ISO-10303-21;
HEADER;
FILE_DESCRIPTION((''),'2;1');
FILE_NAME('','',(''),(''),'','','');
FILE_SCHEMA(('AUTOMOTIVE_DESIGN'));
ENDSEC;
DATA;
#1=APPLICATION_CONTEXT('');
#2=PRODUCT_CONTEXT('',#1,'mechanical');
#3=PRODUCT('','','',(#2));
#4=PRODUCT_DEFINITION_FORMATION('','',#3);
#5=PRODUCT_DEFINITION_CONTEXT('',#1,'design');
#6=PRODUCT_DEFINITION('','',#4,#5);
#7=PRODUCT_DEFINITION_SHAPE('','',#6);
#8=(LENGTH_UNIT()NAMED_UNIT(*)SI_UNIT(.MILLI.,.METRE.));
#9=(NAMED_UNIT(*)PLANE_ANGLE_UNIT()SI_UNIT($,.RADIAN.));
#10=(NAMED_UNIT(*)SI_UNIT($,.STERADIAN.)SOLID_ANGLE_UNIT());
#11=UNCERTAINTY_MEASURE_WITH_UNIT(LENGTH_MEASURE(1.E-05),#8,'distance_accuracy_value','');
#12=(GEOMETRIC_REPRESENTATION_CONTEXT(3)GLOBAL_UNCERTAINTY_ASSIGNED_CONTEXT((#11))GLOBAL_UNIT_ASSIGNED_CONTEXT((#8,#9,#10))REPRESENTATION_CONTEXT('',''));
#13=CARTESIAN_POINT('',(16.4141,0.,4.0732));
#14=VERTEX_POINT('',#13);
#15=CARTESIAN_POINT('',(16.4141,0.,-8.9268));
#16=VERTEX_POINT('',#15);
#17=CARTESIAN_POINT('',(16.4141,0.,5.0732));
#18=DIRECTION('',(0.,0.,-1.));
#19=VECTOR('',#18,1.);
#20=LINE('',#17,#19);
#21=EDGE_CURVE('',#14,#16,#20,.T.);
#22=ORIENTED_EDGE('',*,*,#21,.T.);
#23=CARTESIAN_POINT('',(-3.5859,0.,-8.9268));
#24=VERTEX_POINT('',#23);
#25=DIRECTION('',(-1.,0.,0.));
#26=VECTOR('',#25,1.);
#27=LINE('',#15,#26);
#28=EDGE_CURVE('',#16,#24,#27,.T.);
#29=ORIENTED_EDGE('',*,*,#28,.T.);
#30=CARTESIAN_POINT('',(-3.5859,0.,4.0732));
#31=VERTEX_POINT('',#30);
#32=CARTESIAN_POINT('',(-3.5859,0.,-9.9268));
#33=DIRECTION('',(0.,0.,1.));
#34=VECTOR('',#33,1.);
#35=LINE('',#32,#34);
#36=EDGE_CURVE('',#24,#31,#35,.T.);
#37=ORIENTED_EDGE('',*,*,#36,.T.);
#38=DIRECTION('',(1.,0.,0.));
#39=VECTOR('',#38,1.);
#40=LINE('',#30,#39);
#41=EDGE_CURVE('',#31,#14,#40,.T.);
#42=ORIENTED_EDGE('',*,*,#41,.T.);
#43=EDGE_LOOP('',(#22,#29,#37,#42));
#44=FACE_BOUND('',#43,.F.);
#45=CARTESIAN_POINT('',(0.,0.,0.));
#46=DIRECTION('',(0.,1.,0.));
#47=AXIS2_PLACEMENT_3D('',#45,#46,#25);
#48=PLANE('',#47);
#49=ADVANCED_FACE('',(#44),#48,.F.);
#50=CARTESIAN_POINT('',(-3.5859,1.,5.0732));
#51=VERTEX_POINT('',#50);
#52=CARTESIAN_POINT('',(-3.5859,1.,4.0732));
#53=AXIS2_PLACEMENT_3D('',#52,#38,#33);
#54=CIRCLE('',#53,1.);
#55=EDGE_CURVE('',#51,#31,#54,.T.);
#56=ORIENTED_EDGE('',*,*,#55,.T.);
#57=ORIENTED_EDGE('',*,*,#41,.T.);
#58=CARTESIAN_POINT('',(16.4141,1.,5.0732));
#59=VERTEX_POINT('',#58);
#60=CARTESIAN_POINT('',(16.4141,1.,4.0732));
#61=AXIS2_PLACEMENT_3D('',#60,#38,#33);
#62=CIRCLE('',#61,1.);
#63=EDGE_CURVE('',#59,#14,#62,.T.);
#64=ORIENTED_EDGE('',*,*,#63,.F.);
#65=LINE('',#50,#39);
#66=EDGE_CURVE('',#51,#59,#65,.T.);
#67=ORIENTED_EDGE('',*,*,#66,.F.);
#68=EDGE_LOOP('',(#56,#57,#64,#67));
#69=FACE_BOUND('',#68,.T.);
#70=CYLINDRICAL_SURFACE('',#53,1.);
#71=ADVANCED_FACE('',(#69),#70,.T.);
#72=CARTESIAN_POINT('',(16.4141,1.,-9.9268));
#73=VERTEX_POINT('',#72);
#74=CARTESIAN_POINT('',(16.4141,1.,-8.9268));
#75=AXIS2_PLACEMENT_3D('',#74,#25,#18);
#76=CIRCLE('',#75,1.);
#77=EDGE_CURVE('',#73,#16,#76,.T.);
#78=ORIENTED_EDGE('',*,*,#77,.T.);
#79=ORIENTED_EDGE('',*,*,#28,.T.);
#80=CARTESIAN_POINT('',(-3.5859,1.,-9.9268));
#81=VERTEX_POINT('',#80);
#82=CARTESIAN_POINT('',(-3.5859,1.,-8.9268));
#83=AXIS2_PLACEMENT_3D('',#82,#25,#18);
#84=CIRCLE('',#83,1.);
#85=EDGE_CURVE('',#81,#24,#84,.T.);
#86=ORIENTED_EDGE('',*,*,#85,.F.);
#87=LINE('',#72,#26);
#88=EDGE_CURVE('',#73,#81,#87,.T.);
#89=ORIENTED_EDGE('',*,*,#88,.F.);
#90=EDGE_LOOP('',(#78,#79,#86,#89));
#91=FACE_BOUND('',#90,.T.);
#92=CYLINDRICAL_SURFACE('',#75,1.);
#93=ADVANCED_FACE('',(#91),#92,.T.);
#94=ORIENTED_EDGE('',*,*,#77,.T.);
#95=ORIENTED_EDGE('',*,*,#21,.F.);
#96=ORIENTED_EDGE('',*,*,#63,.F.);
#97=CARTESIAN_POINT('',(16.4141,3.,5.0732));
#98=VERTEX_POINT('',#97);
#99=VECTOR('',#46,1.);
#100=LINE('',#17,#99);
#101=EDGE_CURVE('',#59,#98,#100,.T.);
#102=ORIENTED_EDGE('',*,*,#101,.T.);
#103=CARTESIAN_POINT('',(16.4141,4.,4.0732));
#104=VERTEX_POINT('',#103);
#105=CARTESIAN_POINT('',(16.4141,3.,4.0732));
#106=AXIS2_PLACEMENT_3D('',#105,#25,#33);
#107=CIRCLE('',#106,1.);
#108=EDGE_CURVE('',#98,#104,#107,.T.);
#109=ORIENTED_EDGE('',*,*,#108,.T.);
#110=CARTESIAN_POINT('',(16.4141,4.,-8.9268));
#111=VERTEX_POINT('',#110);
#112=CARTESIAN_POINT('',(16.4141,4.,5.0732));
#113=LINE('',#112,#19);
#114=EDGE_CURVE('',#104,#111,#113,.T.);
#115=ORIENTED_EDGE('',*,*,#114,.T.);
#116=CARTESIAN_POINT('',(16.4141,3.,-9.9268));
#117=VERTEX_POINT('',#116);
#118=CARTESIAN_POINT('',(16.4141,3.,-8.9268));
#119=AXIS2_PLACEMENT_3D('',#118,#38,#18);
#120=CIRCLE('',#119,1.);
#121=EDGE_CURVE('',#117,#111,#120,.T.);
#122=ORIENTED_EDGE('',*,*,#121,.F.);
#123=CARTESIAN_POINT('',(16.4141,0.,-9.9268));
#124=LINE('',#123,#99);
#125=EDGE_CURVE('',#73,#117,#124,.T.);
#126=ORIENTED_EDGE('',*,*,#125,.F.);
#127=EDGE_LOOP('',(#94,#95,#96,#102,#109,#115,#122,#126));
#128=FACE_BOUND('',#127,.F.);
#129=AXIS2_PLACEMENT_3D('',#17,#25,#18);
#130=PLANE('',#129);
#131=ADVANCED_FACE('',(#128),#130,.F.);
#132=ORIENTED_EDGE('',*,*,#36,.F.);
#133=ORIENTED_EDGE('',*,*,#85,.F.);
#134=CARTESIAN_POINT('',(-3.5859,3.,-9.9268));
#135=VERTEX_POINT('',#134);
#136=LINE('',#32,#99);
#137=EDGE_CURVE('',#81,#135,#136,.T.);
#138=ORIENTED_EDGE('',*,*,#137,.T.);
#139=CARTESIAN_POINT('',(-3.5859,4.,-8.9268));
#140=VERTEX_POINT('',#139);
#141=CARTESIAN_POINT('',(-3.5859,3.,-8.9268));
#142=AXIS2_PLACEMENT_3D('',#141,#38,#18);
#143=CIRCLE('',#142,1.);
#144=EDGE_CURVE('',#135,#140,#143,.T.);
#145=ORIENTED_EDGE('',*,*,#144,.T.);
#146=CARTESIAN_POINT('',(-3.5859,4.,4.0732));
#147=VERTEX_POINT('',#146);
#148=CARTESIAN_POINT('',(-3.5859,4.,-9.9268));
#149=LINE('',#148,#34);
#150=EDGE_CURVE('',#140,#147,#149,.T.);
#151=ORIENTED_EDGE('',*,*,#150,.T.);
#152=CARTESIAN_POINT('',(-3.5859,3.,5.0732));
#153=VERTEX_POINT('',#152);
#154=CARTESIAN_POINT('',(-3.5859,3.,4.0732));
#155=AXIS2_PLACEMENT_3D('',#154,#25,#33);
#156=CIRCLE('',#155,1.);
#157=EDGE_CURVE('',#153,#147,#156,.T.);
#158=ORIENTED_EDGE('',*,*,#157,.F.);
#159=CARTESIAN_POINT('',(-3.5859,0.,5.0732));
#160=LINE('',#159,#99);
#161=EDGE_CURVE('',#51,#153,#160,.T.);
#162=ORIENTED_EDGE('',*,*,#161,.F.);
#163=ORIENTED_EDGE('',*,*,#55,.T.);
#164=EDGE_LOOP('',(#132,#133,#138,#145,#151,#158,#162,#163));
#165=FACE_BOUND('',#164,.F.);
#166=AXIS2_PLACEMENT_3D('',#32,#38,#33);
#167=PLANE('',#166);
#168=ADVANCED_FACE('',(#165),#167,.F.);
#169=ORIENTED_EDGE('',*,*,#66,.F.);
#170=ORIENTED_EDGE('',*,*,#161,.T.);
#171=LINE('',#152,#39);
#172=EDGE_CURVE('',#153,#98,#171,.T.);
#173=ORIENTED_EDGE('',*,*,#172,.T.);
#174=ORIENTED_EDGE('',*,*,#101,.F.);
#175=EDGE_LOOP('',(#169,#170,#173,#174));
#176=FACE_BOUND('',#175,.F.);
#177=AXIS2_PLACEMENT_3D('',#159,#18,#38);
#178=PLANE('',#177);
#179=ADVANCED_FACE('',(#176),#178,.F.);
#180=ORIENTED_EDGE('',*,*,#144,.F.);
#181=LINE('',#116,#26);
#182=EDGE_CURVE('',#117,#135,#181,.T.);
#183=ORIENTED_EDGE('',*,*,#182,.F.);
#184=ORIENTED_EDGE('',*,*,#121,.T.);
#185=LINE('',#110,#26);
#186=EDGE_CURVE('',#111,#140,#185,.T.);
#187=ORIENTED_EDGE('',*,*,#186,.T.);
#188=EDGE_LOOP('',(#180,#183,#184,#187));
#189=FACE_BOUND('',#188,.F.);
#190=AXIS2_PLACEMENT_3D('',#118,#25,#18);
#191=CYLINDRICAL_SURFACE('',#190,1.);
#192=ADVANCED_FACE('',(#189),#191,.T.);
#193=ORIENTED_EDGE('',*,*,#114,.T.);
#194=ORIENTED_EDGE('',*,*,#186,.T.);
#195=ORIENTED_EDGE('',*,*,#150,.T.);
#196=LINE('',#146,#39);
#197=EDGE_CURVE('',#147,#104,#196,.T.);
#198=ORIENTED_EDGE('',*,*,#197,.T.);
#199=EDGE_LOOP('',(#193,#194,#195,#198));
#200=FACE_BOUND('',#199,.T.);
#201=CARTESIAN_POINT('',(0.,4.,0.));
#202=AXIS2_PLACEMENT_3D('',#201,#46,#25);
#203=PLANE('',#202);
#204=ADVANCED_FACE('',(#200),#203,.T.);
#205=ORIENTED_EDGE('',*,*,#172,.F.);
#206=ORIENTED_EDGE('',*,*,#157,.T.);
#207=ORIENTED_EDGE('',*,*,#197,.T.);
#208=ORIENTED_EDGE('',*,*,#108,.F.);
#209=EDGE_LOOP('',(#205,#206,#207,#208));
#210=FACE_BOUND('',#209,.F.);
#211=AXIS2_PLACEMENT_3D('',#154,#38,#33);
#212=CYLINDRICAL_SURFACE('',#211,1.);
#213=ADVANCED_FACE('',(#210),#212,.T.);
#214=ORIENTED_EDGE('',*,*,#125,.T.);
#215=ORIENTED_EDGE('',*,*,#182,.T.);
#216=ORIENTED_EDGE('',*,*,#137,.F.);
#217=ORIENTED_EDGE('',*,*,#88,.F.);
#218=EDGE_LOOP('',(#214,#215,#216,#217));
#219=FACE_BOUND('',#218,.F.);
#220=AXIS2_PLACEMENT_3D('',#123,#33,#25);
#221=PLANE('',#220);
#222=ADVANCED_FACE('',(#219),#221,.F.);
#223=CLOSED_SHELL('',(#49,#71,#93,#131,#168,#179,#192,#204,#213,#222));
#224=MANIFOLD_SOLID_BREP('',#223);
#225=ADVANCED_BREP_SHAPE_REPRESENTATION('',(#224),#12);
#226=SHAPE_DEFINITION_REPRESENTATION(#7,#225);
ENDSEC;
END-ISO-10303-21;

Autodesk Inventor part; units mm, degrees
ref_plane "YZ Plane" through (0, 0, 0) normal (1, 0, 0) x (0, 1, 0)
ref_plane "XZ Plane" through (0, 0, 0) normal (0, 1, 0) x (-1, 0, 0)
ref_plane "XY Plane" through (0, 0, 0) normal (0, 0, 1) x (1, 0, 0)
sketch "Sketch1" plane through (0, 0, 0) normal (0, 1, 0) x (-1, 0, 0)
  line L0 (3.5859, 5.0732) -> (-16.4141, 5.0732)
  line L1 (-16.4141, 5.0732) -> (-16.4141, -9.9268)
  line L2 (-16.4141, -9.9268) -> (3.5859, -9.9268)
  line L3 (3.5859, -9.9268) -> (3.5859, 5.0732)
  point P0 (0, 0)
  dimension "d0" = 20
  dimension "d1" = 15
extrude "Extrusion1" add sketch "Sketch1" along normal blind 4
fillet "Fillet1" radius 1 4 edges at (6.4141, 4, -9.9268) (6.4141, 4, 5.0732) (6.4141, 0, 5.0732) (6.4141, 0, -9.9268)
properties part number "lipol-70mAh"
